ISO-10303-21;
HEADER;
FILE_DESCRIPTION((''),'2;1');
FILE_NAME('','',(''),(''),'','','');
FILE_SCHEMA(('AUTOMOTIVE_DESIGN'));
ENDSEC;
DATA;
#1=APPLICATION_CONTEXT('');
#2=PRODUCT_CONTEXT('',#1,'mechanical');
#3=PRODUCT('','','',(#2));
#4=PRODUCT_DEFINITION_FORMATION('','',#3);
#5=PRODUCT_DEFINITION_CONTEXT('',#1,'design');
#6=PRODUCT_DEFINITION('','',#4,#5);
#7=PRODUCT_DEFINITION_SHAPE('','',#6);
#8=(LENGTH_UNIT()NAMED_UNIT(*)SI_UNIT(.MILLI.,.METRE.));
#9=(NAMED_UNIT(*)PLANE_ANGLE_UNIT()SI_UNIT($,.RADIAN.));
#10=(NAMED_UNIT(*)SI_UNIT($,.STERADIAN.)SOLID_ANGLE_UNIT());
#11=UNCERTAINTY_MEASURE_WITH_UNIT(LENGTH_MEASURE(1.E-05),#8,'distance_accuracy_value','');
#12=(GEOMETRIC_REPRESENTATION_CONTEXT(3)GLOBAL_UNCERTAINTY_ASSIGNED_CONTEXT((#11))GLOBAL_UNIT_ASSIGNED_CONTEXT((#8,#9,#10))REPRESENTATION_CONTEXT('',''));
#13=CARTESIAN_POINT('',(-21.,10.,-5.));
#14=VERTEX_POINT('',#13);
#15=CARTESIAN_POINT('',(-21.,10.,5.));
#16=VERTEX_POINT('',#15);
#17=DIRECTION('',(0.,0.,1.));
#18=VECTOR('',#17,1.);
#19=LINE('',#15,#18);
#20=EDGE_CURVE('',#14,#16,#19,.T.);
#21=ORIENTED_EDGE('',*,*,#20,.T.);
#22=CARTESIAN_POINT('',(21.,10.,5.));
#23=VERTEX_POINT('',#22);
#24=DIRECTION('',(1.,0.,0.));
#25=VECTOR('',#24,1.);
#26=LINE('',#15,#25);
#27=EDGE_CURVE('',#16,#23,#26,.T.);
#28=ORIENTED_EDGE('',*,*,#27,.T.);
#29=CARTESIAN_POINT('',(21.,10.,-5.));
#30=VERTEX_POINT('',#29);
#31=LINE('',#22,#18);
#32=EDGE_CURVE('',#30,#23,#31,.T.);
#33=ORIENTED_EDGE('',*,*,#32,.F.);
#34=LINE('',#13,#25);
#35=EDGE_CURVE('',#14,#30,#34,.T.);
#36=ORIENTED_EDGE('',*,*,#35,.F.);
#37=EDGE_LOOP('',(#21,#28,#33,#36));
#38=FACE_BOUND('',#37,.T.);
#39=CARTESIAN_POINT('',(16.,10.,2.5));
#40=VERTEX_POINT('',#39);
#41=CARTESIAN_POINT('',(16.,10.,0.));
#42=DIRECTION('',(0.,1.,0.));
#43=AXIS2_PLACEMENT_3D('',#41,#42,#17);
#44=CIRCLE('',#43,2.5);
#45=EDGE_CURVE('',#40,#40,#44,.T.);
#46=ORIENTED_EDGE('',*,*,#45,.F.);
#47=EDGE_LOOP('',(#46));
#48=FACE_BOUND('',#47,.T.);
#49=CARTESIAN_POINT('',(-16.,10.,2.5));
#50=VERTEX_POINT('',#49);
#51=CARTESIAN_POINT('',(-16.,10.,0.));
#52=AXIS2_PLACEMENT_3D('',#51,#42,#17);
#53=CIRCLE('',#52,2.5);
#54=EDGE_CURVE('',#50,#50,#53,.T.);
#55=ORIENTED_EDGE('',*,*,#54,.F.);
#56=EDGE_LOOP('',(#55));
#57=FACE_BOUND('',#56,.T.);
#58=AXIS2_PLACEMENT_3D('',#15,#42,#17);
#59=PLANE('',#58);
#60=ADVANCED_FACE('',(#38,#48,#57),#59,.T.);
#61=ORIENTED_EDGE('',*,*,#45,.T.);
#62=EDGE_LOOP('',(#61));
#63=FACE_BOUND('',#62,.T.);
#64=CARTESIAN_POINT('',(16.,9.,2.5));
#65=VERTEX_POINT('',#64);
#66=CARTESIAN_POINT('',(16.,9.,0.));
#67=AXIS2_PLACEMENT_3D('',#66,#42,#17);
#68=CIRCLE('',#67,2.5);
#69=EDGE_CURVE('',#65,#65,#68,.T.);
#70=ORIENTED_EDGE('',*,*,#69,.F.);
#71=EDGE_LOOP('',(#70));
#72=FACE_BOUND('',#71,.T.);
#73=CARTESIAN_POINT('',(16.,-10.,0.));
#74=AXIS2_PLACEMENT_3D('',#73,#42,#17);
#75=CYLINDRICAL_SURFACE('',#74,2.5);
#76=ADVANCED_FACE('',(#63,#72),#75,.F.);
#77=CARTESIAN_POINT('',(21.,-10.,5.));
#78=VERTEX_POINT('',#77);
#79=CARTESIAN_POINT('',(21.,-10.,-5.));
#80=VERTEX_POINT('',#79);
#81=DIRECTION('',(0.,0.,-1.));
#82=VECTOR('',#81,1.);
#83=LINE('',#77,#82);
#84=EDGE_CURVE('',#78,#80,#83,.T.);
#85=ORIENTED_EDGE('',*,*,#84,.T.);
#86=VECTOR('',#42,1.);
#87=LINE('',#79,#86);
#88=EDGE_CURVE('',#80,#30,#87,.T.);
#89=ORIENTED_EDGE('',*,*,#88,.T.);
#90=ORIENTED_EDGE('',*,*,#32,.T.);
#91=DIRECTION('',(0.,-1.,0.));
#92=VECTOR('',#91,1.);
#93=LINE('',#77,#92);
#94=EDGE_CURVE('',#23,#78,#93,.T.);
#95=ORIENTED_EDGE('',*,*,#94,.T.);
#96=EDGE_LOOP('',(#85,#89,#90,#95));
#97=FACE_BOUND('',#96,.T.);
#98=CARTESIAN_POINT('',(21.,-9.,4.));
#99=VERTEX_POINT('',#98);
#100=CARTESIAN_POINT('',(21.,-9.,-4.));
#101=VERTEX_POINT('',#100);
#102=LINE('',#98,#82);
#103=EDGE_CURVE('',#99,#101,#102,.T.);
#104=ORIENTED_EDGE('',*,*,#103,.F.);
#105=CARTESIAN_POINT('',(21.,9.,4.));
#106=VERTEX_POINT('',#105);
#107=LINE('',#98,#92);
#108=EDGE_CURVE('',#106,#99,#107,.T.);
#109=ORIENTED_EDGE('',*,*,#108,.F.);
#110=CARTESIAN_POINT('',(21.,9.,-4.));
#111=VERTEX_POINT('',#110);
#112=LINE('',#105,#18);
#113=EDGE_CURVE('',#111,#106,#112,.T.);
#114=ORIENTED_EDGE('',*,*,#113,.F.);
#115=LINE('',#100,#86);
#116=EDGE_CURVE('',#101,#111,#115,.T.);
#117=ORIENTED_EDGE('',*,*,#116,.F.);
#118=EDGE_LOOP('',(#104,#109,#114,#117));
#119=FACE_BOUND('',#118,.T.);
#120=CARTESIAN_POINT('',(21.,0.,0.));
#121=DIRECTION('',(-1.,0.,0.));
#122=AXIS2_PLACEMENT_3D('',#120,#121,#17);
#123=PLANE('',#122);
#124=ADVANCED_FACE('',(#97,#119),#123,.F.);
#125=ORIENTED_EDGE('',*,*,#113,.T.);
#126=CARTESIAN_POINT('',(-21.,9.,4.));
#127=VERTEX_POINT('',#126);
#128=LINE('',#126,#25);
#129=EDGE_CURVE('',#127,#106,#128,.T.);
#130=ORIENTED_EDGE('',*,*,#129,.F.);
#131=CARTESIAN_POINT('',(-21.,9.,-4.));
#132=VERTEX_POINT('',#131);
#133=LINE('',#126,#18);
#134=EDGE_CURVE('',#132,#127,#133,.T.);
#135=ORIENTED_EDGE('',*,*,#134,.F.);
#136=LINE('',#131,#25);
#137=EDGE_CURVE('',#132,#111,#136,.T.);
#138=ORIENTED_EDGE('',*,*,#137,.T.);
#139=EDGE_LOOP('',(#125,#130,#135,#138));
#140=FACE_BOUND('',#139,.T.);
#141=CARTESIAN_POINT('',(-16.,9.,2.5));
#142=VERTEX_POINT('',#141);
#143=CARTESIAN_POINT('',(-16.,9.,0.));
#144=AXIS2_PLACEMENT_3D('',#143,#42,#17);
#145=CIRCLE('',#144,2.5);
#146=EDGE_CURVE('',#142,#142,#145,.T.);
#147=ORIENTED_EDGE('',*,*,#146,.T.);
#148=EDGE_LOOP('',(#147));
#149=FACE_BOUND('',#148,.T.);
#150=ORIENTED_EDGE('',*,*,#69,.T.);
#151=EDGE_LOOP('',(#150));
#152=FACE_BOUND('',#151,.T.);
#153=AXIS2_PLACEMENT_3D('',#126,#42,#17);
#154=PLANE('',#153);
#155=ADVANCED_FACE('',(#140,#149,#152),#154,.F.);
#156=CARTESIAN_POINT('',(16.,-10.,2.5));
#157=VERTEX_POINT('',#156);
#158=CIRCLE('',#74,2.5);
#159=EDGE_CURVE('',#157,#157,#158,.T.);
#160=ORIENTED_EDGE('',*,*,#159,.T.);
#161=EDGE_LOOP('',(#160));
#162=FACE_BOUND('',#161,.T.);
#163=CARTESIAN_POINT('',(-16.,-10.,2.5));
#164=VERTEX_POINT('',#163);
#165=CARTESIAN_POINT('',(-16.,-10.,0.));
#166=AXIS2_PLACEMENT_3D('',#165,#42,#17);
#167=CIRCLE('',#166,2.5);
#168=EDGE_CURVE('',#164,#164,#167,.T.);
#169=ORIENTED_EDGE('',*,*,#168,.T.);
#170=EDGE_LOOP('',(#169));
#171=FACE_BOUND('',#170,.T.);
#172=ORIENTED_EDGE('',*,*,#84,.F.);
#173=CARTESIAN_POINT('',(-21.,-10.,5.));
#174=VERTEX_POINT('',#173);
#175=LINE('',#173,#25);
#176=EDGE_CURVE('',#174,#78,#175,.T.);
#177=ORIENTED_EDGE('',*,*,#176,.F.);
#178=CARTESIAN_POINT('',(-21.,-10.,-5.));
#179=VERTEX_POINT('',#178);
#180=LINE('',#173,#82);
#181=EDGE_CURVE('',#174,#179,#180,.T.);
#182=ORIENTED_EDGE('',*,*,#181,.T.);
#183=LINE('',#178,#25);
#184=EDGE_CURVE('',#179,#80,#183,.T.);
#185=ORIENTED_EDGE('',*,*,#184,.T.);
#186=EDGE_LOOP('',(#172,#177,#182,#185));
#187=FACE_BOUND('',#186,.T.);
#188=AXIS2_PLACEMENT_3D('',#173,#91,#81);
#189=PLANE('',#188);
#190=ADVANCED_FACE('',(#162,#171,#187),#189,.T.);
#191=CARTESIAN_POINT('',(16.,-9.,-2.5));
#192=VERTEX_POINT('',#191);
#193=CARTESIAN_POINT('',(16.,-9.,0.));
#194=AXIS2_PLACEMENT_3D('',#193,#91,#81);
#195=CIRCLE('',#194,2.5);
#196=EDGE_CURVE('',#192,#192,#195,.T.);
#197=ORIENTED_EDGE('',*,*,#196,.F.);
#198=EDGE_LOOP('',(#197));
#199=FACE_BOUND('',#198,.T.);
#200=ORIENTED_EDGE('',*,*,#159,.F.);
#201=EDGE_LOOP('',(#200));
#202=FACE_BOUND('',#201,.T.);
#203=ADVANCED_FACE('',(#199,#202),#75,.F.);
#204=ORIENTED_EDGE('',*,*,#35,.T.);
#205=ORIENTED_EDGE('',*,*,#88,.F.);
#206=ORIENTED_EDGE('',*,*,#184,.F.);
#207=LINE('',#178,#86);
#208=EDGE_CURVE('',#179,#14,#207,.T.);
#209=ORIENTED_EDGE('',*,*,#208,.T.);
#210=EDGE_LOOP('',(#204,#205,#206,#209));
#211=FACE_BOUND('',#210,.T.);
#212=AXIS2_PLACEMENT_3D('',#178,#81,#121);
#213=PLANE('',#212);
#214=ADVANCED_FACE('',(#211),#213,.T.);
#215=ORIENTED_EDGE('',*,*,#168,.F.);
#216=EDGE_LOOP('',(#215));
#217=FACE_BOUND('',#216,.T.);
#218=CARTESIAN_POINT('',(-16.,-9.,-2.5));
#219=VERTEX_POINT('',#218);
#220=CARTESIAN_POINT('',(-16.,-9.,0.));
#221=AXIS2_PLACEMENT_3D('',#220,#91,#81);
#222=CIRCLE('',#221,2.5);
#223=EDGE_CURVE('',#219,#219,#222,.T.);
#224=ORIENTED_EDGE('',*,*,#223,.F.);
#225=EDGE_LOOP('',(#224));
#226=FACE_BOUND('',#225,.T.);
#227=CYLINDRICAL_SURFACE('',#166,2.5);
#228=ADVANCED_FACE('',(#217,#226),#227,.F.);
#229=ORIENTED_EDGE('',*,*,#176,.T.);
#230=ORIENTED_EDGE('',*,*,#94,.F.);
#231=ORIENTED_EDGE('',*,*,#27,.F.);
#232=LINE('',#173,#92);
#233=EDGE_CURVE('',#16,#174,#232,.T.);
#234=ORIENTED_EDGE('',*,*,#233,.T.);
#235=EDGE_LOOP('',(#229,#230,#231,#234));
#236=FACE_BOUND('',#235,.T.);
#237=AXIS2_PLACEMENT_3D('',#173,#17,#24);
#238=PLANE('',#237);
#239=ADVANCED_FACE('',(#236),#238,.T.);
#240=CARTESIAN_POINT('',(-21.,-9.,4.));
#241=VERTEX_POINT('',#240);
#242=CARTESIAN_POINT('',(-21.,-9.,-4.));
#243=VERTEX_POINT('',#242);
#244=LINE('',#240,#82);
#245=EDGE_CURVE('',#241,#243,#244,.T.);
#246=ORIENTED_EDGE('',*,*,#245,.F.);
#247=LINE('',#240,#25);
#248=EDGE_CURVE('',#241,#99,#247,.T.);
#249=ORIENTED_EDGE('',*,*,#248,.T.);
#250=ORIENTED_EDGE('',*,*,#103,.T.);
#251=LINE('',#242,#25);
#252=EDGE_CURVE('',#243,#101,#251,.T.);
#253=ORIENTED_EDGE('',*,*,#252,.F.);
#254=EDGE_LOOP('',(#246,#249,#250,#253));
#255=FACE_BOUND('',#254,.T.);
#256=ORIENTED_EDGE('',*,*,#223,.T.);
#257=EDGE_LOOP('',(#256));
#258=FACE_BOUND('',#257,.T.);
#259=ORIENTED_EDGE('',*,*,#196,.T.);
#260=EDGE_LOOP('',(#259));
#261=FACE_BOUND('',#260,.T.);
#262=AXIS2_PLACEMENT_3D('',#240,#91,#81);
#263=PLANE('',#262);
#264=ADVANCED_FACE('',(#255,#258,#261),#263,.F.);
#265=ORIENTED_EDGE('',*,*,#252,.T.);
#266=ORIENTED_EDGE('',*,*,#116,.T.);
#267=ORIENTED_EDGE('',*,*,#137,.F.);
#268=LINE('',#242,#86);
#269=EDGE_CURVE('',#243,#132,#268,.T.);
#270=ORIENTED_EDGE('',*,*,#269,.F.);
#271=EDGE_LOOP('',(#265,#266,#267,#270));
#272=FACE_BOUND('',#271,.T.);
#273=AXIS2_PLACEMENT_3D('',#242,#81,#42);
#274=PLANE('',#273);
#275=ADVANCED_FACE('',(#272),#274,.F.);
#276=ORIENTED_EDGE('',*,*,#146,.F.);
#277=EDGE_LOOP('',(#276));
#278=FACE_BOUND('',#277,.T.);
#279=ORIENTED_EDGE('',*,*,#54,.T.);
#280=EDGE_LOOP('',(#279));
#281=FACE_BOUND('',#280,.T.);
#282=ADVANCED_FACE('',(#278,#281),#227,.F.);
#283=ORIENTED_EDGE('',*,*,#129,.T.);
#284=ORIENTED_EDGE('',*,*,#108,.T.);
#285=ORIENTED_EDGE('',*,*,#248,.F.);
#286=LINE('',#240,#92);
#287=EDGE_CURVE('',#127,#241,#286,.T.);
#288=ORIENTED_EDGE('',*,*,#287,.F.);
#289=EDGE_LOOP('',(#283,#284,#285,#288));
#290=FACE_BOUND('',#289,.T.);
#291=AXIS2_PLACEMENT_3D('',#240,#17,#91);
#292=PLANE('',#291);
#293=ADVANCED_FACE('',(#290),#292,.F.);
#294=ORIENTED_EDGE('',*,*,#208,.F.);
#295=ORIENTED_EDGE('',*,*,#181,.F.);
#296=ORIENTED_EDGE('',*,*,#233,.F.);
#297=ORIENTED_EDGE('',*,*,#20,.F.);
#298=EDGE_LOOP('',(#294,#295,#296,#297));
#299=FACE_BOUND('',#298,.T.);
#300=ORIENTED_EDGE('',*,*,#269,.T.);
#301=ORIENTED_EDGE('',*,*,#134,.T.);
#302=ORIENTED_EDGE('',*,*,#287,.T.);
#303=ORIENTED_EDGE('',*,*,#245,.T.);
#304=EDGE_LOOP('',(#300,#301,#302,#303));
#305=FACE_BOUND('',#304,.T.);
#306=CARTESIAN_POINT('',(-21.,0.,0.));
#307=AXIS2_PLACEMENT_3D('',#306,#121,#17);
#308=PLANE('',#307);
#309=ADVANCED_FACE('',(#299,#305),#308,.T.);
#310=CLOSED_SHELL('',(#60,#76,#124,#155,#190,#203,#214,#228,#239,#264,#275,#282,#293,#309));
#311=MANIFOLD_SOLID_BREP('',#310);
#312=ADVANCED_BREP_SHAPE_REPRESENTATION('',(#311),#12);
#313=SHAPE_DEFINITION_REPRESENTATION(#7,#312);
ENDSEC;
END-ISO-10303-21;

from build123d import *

# Parameters (mm, degrees)
BOSS_EXTRUDE1_DEPTH      = 21
BOSS_EXTRUDE1_DEPTH_BACK = 21
SKETCH1_W                = 10
SKETCH1_H                = 20
SKETCH1_W_2              = 8
SKETCH1_H_2              = 18
SKETCH2_R                = 2.5
CUT_EXTRUDE1_DEPTH       = 20


with BuildPart() as part:
    # Sketch1 → Boss-Extrude1 (new, two sides: drawn at the far end of the back side and taken through both)
    with BuildSketch(Plane(origin=(0, 0, 0), x_dir=(0, 0, -1), z_dir=(1, 0, 0)).offset(-BOSS_EXTRUDE1_DEPTH_BACK)):
        Rectangle(SKETCH1_W, SKETCH1_H)
        Rectangle(SKETCH1_W_2, SKETCH1_H_2, mode=Mode.SUBTRACT)
    extrude(amount=BOSS_EXTRUDE1_DEPTH + BOSS_EXTRUDE1_DEPTH_BACK)

    # Sketch2 → Cut-Extrude1 (cut)
    with BuildSketch(Plane(origin=(0, 10, 0), x_dir=(1, 0, 0), z_dir=(0, 1, 0))):
        with Locations((-16, 0)):
            Circle(SKETCH2_R)
        with Locations((16, 0)):
            Circle(SKETCH2_R)
    extrude(amount=-CUT_EXTRUDE1_DEPTH, mode=Mode.SUBTRACT)


solid = part.part
